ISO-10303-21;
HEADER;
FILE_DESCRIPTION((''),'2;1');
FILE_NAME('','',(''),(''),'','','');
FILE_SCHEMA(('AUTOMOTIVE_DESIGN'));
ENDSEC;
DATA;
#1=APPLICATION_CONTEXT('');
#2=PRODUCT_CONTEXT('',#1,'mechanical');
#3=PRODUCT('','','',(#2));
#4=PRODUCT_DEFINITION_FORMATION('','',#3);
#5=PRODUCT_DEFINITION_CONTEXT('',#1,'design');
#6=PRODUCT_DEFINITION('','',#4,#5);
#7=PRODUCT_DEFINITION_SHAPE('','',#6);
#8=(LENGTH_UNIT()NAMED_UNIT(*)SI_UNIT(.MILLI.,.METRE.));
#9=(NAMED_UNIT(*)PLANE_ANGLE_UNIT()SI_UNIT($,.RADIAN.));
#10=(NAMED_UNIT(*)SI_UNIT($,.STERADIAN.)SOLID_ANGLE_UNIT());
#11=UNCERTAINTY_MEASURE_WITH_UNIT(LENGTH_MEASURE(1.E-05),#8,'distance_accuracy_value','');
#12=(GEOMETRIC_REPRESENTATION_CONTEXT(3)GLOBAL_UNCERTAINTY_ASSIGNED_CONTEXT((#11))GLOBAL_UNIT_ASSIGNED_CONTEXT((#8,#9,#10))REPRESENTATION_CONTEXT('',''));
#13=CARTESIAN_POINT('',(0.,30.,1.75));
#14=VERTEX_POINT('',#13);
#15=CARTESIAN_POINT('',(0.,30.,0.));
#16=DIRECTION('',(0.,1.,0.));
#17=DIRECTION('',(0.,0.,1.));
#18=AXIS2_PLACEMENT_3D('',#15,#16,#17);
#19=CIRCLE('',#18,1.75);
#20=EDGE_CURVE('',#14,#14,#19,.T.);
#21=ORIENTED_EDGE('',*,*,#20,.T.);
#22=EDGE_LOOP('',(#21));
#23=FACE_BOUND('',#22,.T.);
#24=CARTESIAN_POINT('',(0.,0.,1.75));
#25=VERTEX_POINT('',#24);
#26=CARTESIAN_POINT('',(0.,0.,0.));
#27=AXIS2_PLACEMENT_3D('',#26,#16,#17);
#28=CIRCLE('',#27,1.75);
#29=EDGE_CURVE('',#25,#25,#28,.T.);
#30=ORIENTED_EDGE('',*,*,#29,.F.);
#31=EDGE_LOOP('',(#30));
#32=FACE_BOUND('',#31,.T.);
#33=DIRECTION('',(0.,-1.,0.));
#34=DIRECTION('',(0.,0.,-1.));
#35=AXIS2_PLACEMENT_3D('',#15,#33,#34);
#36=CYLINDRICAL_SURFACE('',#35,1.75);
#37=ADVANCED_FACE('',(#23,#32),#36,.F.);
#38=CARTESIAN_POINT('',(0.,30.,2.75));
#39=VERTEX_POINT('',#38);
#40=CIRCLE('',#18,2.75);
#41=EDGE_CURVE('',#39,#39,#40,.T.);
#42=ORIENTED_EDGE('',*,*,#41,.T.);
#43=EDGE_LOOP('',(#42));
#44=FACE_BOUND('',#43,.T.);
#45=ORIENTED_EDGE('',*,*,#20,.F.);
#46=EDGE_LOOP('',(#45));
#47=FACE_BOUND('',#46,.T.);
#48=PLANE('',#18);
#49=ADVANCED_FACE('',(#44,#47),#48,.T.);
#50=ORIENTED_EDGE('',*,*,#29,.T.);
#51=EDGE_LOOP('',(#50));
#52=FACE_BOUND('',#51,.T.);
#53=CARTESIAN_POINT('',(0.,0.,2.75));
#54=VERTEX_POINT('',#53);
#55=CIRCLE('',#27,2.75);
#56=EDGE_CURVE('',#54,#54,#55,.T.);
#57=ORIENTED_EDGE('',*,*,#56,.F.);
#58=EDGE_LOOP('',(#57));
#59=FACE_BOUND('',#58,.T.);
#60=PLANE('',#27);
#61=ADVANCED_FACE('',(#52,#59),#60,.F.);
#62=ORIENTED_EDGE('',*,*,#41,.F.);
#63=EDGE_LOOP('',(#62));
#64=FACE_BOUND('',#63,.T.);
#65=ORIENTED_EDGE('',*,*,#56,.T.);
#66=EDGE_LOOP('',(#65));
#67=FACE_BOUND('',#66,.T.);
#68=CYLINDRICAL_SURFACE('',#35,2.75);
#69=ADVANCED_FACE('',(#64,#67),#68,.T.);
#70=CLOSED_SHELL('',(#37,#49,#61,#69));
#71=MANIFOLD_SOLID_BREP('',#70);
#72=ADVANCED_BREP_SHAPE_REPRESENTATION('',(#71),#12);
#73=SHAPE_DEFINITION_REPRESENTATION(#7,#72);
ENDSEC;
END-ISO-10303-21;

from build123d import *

# Parameters (mm, degrees)
SKETCH1_R           = 2.75
SKETCH1_R_2         = 1.75
BOSS_EXTRUDE1_DEPTH = 30


with BuildPart() as part:
    # Sketch1 → Boss-Extrude1 (new body)
    with BuildSketch(Plane(origin=(0, 0, 0), x_dir=(1, 0, 0), z_dir=(0, 1, 0))):
        Circle(SKETCH1_R)
        Circle(SKETCH1_R_2, mode=Mode.SUBTRACT)
    extrude(amount=BOSS_EXTRUDE1_DEPTH)


solid = part.part
